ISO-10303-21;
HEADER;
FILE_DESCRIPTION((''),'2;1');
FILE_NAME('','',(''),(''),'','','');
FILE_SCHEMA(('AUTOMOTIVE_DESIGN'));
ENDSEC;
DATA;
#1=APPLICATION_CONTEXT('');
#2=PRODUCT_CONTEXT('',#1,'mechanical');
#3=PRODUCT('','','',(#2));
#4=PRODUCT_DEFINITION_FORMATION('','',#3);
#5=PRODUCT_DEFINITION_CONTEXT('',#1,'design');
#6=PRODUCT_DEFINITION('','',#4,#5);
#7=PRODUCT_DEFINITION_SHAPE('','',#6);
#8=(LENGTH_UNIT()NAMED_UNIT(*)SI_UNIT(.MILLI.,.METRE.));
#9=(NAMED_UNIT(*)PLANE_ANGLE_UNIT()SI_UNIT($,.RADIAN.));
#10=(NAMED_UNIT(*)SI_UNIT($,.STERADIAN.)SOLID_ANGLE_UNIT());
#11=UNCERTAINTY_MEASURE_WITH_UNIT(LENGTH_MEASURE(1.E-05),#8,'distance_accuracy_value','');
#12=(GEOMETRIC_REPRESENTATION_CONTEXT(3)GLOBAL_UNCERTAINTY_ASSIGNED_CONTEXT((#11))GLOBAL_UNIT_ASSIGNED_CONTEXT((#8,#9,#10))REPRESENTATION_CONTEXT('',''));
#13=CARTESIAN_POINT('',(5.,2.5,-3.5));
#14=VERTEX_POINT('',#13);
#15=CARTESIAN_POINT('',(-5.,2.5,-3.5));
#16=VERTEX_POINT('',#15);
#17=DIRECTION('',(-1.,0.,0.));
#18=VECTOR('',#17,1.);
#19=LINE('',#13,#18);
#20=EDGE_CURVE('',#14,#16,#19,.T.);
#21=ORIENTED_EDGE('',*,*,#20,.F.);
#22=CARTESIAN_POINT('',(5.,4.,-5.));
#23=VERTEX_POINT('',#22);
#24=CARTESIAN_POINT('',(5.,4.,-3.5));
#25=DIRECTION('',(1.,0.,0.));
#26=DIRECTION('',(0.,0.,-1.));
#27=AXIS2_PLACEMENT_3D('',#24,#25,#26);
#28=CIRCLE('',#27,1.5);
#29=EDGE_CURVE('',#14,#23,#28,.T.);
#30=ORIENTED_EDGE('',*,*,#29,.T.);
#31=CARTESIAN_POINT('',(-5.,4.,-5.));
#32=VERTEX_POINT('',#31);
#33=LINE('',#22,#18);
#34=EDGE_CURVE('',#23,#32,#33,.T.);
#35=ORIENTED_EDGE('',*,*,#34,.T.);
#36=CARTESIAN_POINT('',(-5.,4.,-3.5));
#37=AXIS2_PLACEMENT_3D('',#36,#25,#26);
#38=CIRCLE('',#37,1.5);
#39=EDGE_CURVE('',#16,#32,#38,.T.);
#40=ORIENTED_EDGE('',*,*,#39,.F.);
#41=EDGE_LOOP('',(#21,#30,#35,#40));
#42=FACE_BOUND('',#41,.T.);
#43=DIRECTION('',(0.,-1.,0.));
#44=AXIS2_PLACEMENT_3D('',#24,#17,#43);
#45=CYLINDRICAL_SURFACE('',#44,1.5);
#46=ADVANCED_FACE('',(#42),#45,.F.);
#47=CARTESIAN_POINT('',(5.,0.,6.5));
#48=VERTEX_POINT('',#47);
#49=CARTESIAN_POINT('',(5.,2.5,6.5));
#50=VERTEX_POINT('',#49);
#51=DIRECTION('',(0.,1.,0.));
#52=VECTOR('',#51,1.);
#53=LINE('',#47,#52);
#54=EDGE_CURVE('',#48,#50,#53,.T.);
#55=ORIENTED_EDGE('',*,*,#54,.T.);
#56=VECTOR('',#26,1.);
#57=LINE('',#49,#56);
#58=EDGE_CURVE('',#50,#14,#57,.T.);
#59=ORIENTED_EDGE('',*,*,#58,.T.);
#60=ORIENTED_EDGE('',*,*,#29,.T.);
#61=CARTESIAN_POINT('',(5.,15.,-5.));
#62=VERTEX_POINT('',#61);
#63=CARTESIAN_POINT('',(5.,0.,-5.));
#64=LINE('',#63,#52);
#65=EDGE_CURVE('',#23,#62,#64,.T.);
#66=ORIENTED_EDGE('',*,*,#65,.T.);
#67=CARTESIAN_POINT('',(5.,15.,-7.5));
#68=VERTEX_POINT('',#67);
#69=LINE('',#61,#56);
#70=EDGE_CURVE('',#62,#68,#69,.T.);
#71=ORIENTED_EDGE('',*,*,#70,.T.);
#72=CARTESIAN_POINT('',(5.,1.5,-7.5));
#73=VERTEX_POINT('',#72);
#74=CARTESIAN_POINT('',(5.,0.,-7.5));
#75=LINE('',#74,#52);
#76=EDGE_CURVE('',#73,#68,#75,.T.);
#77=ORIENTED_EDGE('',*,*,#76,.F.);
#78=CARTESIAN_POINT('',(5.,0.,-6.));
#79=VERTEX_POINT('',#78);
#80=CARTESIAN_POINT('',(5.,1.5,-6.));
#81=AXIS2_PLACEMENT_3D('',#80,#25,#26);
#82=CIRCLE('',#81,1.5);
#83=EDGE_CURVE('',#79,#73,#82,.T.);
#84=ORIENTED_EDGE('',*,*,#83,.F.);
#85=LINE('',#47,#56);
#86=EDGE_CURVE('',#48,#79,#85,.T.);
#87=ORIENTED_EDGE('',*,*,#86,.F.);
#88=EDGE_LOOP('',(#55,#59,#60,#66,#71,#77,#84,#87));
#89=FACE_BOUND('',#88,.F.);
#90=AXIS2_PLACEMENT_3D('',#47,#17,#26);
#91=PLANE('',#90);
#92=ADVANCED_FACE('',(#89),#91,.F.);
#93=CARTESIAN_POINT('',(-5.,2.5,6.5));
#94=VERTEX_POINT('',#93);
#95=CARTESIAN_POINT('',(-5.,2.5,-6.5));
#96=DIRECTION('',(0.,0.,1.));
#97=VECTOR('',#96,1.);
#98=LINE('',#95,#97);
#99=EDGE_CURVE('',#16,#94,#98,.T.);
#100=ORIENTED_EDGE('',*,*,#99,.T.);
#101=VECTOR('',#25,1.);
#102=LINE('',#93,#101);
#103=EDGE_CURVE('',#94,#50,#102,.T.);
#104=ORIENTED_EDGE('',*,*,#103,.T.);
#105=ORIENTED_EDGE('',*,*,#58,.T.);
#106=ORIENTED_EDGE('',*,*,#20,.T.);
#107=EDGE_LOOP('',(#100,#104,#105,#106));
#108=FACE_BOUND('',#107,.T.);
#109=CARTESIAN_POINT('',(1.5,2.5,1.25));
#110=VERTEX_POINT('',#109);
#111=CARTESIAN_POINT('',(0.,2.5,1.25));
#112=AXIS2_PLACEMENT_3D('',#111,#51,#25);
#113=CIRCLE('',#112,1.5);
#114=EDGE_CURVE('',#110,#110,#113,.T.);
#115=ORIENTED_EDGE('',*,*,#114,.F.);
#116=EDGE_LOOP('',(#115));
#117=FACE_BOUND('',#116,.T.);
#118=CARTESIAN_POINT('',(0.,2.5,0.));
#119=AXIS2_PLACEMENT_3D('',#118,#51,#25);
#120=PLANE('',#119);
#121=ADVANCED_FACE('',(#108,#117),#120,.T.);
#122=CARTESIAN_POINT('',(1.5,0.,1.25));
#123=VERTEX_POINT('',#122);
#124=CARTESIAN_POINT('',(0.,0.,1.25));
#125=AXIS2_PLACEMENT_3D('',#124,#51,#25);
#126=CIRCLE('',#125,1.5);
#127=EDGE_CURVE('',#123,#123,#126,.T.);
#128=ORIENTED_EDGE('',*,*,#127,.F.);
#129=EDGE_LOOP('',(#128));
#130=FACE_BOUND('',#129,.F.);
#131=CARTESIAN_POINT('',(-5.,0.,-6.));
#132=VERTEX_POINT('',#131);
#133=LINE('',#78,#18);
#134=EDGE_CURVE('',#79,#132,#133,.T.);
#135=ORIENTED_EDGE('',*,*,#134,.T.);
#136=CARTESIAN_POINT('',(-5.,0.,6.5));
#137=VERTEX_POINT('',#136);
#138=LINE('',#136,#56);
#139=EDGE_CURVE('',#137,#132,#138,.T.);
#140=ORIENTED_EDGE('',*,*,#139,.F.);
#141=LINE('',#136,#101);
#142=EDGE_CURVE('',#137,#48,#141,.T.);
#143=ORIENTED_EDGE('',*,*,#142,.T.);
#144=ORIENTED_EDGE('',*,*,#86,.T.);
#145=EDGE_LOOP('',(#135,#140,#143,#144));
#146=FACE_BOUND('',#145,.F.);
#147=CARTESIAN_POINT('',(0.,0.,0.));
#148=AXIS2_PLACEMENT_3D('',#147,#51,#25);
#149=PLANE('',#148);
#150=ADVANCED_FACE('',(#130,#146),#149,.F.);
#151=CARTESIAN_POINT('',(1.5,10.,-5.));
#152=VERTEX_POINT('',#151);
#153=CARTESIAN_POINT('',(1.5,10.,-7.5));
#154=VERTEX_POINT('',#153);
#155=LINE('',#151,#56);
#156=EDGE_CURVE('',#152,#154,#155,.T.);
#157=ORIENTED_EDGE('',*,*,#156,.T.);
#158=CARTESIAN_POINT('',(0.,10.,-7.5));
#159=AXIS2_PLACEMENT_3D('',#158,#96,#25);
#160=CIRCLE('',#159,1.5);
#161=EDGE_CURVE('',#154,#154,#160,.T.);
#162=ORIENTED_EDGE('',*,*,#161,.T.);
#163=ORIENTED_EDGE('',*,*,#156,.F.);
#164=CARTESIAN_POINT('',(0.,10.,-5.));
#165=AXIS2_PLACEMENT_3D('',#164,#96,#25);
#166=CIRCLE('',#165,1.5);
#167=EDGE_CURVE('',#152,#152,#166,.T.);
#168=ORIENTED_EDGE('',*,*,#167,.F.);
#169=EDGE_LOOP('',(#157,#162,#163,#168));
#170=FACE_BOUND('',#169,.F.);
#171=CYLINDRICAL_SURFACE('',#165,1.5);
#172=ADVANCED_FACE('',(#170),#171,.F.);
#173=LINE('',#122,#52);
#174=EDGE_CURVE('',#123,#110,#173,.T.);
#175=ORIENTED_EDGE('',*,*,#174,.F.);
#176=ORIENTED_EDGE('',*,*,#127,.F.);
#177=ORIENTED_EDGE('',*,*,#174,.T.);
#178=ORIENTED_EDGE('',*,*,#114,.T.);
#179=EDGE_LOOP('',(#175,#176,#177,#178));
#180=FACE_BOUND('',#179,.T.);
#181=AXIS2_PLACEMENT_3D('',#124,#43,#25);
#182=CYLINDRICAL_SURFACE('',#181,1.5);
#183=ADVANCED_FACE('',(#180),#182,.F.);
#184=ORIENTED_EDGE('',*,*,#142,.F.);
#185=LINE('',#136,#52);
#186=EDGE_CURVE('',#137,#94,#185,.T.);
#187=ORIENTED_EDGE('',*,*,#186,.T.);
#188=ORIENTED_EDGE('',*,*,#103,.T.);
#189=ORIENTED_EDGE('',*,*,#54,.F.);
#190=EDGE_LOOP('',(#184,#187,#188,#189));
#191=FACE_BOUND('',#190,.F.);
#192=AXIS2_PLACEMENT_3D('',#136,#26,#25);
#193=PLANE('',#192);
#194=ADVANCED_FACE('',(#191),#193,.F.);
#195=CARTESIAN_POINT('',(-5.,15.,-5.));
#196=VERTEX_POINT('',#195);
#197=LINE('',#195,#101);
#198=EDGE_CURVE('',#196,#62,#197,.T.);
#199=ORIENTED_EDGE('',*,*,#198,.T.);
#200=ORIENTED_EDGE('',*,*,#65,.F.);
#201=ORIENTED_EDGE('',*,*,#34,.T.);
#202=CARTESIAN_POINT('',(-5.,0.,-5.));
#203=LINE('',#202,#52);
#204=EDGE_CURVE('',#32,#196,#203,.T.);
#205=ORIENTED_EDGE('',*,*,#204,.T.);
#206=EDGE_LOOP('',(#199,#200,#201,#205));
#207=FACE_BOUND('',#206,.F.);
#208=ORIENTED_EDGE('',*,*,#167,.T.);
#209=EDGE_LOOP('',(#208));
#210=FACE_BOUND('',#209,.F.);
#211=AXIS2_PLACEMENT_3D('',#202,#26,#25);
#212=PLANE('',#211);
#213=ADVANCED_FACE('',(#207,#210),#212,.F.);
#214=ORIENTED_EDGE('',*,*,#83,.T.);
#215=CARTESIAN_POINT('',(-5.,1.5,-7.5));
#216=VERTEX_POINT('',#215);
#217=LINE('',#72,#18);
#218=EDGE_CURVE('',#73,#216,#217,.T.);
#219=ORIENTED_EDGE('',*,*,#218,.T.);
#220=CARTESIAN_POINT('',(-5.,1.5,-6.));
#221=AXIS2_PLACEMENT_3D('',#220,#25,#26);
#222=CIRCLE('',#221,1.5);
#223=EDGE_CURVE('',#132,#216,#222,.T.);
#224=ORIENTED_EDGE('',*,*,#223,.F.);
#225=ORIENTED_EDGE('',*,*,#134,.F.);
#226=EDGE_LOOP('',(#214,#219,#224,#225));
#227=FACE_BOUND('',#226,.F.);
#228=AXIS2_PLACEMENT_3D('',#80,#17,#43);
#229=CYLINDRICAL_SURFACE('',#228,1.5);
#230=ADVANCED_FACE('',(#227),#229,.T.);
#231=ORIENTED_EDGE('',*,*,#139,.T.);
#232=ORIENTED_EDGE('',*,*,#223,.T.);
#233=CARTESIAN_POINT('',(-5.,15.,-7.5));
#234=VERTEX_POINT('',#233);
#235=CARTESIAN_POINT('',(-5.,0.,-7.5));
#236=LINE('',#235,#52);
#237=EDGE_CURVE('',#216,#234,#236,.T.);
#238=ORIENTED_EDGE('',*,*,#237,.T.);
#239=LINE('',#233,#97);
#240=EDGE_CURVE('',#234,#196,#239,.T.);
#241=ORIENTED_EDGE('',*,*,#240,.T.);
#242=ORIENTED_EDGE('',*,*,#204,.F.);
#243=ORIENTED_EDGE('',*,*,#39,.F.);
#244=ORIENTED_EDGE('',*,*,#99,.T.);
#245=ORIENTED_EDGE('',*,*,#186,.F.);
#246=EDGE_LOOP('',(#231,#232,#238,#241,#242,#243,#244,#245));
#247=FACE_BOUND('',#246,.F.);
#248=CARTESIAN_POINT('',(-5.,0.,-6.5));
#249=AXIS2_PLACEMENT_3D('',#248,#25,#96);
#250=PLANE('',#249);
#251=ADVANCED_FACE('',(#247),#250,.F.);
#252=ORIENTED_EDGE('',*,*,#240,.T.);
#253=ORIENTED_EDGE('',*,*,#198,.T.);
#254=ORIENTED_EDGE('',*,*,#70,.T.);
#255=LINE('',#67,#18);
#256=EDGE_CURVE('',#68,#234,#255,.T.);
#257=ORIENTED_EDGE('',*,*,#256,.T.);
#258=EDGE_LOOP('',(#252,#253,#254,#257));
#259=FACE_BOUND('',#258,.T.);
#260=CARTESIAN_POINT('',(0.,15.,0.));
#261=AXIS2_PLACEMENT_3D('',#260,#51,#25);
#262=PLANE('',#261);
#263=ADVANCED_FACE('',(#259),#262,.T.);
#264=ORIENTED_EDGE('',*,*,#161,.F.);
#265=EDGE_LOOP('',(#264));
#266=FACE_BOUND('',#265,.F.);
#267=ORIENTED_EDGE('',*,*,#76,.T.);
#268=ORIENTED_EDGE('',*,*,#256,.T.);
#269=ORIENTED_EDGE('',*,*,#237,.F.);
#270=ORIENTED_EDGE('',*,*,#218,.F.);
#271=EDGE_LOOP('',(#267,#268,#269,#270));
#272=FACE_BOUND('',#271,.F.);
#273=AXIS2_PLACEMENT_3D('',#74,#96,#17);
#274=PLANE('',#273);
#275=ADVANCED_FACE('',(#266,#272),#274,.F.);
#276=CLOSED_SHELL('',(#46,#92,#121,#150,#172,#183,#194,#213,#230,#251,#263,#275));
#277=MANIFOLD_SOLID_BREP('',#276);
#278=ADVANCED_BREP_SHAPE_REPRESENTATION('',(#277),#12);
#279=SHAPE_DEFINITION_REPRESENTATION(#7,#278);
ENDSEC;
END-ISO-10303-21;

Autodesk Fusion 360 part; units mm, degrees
sketch "Sketch1" plane through (0, 0, 0) normal (0, 1, 0) x (1, 0, 0)
  line L0 (5, 6.5) -> (-5, 6.5)
  line L1 (-5, 6.5) -> (-5, -6.5)
  line L2 (-5, -6.5) -> (5, -6.5)
  line L3 (5, -6.5) -> (5, 6.5)
  line L4 (5, 6.5) -> (-5, -6.5) construction
  line L5 (-5, 6.5) -> (5, -6.5) construction
  circle A0 centre (0, -1.25) radius 1.5
  dimension "d1" = 13
  dimension "d2" = 10
  dimension "d21" = 3
  dimension "d22" = 1.25
extrude "Extrude1" add sketch "Sketch1" along normal blind 2.5
sketch "Sketch3" plane through (0, 0, 0) normal (0, 1, 0) x (1, 0, 0)
  line L0 (-5, 5) -> (5, 5)
  line L1 (5, 5) -> (5, 7.5)
  line L2 (5, 7.5) -> (-5, 7.5)
  line L3 (-5, 7.5) -> (-5, 5)
  dimension "d10" = 2.5
  dimension "d11" = 10
  dimension "d12" = 5
  dimension "d13" = 5
extrude "Extrude3" add sketch "Sketch3" along normal blind 15
sketch "Sketch5" plane through (0, 0, -5) normal (0, 0, 1) x (1, 0, 0)
  line L0 (5, 2.5) -> (5, 15)
  line L1 (5, 15) -> (-5, 15)
  line L2 (-5, 15) -> (-5, 2.5)
  circle A0 centre (0, 10) radius 1.5
  line L3 (-5, 2.5) -> (5, 2.5)
  dimension "d16" = 5
  dimension "d17" = 3
extrude "Extrude4" cut sketch "Sketch5" against normal blind 45 contours A0
fillet "Fillet1" radius 1.5 2 edges at (0, 2.5, -5) (0, 0, -7.5)
